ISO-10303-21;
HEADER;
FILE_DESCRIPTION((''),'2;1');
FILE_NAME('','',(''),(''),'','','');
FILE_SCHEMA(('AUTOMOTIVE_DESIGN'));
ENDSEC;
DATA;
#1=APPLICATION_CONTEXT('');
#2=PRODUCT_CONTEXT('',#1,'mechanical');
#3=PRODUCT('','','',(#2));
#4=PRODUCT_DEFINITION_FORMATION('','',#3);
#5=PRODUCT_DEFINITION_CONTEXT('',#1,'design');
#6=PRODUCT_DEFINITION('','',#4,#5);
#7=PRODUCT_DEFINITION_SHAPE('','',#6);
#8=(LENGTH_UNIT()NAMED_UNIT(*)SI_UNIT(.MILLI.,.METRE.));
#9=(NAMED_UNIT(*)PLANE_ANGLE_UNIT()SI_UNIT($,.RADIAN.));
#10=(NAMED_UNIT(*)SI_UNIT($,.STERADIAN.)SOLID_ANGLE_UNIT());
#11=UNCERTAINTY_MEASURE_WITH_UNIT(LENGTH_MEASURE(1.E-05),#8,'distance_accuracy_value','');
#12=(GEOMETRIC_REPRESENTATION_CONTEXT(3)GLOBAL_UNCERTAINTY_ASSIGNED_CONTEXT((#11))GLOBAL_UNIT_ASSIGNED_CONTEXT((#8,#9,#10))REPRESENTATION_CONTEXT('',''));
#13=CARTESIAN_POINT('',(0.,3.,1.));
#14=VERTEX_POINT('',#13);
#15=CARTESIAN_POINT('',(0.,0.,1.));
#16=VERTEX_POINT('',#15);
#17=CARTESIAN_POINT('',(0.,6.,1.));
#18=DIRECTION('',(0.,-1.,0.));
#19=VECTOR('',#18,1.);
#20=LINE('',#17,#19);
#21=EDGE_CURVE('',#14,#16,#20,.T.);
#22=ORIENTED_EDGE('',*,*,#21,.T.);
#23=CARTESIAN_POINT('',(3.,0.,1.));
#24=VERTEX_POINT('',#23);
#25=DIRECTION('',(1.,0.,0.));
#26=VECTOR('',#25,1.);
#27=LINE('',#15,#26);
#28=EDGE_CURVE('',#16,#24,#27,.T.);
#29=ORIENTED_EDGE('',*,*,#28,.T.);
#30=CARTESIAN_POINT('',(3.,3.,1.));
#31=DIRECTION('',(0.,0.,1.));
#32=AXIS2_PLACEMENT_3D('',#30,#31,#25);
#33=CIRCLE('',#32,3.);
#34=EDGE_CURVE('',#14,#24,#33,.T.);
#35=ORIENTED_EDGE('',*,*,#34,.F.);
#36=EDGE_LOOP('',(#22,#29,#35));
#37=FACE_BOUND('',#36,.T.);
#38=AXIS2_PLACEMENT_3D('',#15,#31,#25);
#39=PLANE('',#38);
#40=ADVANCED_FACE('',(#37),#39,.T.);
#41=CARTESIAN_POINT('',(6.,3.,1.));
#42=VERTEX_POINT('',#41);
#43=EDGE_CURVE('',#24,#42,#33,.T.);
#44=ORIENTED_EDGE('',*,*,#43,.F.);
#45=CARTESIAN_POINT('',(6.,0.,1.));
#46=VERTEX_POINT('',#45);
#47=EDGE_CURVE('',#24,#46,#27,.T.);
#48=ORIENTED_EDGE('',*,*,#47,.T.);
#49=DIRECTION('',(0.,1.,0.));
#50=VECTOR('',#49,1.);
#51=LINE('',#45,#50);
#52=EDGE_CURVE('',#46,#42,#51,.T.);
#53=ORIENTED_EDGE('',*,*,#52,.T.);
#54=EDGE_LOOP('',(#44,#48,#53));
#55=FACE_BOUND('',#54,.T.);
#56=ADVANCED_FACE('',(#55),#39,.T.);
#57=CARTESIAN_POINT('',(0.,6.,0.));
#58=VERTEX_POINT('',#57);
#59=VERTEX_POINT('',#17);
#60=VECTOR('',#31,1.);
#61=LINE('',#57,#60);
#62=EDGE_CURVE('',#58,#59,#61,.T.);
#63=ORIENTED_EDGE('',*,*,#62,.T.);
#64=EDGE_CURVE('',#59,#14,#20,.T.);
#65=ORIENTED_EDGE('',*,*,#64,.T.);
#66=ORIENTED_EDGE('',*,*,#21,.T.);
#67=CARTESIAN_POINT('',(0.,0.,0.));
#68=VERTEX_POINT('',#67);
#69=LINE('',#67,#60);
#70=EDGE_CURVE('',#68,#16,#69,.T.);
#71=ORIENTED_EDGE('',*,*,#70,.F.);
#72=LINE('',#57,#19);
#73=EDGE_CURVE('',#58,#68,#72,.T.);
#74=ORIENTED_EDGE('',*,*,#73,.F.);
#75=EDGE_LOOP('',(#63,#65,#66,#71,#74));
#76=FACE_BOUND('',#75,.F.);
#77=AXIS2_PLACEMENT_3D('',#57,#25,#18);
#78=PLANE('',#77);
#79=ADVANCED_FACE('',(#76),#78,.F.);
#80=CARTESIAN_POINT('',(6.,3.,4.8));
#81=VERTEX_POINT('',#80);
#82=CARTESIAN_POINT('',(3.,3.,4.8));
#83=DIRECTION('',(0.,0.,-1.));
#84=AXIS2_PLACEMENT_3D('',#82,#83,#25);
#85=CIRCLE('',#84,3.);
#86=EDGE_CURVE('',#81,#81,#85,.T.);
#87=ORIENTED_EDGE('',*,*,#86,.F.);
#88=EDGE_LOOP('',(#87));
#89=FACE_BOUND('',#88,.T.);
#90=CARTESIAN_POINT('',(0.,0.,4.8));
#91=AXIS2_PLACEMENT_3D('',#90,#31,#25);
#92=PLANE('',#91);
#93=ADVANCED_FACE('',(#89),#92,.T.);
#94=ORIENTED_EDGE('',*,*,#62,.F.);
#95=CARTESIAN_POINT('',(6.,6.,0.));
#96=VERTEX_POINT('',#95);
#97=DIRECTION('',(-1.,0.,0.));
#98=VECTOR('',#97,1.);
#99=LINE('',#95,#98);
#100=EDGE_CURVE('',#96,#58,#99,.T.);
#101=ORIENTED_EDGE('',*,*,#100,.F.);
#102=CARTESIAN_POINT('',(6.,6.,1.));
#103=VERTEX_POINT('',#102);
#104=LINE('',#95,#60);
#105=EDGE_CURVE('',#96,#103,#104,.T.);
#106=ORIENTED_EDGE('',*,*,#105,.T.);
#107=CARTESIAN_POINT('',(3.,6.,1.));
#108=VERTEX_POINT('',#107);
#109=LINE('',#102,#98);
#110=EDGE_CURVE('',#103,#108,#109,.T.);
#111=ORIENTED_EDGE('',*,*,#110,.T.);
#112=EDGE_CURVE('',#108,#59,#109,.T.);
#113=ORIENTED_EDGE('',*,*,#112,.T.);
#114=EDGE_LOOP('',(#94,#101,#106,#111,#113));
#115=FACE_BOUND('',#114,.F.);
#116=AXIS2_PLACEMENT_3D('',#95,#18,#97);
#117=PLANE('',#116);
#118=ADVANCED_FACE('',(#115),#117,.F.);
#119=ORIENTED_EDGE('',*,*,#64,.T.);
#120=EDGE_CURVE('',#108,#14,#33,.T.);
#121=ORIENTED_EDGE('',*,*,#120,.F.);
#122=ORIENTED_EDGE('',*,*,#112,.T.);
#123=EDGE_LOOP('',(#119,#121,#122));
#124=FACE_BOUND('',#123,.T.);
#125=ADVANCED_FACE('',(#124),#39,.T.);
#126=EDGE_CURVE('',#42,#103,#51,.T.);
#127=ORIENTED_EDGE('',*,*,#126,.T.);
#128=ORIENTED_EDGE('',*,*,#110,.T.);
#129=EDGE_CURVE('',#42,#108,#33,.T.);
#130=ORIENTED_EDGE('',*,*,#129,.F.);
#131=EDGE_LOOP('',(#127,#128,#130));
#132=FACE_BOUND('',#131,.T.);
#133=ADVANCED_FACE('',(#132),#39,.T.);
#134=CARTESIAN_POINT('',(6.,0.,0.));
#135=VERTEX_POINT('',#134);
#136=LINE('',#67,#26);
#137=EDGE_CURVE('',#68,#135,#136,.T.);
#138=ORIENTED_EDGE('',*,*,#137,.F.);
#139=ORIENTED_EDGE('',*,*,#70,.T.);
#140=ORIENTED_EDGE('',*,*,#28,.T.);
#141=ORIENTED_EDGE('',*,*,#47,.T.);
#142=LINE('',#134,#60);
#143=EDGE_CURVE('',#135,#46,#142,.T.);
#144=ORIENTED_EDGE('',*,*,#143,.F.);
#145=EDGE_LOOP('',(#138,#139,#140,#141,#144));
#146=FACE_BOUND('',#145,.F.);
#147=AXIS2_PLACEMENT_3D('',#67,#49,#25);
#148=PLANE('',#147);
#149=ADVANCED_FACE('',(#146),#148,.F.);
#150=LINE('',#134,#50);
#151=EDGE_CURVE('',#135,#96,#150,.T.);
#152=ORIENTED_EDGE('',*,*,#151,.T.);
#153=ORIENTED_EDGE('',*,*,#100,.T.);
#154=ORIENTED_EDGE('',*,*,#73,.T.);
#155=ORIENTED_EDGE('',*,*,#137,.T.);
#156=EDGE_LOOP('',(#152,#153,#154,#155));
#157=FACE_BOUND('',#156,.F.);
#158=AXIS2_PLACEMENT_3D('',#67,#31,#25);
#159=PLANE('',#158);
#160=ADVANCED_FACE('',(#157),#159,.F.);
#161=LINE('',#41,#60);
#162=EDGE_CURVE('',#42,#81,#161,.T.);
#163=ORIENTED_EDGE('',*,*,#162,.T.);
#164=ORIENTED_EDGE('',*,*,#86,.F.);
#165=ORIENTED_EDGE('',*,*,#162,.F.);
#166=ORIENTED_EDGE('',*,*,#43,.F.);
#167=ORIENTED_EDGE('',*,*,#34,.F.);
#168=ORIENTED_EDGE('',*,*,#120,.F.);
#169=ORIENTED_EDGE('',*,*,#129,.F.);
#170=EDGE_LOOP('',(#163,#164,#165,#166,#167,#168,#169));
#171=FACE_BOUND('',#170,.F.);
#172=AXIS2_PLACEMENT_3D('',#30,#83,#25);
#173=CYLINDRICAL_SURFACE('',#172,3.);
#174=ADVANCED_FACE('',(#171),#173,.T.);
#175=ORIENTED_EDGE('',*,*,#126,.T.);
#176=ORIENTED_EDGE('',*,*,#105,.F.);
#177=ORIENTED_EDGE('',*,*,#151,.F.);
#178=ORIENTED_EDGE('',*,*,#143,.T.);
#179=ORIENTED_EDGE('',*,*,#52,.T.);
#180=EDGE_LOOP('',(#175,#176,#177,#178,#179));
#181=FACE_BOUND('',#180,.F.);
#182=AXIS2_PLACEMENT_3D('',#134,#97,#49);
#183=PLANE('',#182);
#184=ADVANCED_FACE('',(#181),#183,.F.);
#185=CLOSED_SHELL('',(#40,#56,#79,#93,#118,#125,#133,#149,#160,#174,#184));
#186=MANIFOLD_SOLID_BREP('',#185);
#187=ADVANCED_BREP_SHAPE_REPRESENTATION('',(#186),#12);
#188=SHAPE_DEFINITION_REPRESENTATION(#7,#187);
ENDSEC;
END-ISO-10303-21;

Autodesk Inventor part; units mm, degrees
ref_plane "YZ Plane" through (0, 0, 0) normal (1, 0, 0) x (0, 1, 0)
ref_plane "XZ Plane" through (0, 0, 0) normal (0, 1, 0) x (-1, 0, 0)
ref_plane "XY Plane" through (0, 0, 0) normal (0, 0, 1) x (1, 0, 0)
sketch "Sketch1" plane through (0, 0, 0) normal (0, 0, 1) x (1, 0, 0)
  line L0 (0, 0) -> (6, 0)
  line L1 (6, 0) -> (6, 6)
  line L2 (6, 6) -> (0, 6)
  line L3 (0, 6) -> (0, 0)
  dimension "d0" = 6
  dimension "d1" = 6
extrude "Extrusion1" add sketch "Sketch1" along normal blind 1
sketch "Sketch2" plane through (0, 0, 1) normal (0, 0, 1) x (1, 0, 0)
  circle A0 centre (3, 3) radius 3
  line L0 (0, 6) -> (0, 0) projected
  line L1 (0, 0) -> (6, 0) projected
  dimension "d4" = 6
  dimension "d5" = 3
  dimension "d6" = 3
extrude "Extrusion2" add sketch "Sketch2" along normal blind 3.8 contours A0
properties part number "Servo_bit"
